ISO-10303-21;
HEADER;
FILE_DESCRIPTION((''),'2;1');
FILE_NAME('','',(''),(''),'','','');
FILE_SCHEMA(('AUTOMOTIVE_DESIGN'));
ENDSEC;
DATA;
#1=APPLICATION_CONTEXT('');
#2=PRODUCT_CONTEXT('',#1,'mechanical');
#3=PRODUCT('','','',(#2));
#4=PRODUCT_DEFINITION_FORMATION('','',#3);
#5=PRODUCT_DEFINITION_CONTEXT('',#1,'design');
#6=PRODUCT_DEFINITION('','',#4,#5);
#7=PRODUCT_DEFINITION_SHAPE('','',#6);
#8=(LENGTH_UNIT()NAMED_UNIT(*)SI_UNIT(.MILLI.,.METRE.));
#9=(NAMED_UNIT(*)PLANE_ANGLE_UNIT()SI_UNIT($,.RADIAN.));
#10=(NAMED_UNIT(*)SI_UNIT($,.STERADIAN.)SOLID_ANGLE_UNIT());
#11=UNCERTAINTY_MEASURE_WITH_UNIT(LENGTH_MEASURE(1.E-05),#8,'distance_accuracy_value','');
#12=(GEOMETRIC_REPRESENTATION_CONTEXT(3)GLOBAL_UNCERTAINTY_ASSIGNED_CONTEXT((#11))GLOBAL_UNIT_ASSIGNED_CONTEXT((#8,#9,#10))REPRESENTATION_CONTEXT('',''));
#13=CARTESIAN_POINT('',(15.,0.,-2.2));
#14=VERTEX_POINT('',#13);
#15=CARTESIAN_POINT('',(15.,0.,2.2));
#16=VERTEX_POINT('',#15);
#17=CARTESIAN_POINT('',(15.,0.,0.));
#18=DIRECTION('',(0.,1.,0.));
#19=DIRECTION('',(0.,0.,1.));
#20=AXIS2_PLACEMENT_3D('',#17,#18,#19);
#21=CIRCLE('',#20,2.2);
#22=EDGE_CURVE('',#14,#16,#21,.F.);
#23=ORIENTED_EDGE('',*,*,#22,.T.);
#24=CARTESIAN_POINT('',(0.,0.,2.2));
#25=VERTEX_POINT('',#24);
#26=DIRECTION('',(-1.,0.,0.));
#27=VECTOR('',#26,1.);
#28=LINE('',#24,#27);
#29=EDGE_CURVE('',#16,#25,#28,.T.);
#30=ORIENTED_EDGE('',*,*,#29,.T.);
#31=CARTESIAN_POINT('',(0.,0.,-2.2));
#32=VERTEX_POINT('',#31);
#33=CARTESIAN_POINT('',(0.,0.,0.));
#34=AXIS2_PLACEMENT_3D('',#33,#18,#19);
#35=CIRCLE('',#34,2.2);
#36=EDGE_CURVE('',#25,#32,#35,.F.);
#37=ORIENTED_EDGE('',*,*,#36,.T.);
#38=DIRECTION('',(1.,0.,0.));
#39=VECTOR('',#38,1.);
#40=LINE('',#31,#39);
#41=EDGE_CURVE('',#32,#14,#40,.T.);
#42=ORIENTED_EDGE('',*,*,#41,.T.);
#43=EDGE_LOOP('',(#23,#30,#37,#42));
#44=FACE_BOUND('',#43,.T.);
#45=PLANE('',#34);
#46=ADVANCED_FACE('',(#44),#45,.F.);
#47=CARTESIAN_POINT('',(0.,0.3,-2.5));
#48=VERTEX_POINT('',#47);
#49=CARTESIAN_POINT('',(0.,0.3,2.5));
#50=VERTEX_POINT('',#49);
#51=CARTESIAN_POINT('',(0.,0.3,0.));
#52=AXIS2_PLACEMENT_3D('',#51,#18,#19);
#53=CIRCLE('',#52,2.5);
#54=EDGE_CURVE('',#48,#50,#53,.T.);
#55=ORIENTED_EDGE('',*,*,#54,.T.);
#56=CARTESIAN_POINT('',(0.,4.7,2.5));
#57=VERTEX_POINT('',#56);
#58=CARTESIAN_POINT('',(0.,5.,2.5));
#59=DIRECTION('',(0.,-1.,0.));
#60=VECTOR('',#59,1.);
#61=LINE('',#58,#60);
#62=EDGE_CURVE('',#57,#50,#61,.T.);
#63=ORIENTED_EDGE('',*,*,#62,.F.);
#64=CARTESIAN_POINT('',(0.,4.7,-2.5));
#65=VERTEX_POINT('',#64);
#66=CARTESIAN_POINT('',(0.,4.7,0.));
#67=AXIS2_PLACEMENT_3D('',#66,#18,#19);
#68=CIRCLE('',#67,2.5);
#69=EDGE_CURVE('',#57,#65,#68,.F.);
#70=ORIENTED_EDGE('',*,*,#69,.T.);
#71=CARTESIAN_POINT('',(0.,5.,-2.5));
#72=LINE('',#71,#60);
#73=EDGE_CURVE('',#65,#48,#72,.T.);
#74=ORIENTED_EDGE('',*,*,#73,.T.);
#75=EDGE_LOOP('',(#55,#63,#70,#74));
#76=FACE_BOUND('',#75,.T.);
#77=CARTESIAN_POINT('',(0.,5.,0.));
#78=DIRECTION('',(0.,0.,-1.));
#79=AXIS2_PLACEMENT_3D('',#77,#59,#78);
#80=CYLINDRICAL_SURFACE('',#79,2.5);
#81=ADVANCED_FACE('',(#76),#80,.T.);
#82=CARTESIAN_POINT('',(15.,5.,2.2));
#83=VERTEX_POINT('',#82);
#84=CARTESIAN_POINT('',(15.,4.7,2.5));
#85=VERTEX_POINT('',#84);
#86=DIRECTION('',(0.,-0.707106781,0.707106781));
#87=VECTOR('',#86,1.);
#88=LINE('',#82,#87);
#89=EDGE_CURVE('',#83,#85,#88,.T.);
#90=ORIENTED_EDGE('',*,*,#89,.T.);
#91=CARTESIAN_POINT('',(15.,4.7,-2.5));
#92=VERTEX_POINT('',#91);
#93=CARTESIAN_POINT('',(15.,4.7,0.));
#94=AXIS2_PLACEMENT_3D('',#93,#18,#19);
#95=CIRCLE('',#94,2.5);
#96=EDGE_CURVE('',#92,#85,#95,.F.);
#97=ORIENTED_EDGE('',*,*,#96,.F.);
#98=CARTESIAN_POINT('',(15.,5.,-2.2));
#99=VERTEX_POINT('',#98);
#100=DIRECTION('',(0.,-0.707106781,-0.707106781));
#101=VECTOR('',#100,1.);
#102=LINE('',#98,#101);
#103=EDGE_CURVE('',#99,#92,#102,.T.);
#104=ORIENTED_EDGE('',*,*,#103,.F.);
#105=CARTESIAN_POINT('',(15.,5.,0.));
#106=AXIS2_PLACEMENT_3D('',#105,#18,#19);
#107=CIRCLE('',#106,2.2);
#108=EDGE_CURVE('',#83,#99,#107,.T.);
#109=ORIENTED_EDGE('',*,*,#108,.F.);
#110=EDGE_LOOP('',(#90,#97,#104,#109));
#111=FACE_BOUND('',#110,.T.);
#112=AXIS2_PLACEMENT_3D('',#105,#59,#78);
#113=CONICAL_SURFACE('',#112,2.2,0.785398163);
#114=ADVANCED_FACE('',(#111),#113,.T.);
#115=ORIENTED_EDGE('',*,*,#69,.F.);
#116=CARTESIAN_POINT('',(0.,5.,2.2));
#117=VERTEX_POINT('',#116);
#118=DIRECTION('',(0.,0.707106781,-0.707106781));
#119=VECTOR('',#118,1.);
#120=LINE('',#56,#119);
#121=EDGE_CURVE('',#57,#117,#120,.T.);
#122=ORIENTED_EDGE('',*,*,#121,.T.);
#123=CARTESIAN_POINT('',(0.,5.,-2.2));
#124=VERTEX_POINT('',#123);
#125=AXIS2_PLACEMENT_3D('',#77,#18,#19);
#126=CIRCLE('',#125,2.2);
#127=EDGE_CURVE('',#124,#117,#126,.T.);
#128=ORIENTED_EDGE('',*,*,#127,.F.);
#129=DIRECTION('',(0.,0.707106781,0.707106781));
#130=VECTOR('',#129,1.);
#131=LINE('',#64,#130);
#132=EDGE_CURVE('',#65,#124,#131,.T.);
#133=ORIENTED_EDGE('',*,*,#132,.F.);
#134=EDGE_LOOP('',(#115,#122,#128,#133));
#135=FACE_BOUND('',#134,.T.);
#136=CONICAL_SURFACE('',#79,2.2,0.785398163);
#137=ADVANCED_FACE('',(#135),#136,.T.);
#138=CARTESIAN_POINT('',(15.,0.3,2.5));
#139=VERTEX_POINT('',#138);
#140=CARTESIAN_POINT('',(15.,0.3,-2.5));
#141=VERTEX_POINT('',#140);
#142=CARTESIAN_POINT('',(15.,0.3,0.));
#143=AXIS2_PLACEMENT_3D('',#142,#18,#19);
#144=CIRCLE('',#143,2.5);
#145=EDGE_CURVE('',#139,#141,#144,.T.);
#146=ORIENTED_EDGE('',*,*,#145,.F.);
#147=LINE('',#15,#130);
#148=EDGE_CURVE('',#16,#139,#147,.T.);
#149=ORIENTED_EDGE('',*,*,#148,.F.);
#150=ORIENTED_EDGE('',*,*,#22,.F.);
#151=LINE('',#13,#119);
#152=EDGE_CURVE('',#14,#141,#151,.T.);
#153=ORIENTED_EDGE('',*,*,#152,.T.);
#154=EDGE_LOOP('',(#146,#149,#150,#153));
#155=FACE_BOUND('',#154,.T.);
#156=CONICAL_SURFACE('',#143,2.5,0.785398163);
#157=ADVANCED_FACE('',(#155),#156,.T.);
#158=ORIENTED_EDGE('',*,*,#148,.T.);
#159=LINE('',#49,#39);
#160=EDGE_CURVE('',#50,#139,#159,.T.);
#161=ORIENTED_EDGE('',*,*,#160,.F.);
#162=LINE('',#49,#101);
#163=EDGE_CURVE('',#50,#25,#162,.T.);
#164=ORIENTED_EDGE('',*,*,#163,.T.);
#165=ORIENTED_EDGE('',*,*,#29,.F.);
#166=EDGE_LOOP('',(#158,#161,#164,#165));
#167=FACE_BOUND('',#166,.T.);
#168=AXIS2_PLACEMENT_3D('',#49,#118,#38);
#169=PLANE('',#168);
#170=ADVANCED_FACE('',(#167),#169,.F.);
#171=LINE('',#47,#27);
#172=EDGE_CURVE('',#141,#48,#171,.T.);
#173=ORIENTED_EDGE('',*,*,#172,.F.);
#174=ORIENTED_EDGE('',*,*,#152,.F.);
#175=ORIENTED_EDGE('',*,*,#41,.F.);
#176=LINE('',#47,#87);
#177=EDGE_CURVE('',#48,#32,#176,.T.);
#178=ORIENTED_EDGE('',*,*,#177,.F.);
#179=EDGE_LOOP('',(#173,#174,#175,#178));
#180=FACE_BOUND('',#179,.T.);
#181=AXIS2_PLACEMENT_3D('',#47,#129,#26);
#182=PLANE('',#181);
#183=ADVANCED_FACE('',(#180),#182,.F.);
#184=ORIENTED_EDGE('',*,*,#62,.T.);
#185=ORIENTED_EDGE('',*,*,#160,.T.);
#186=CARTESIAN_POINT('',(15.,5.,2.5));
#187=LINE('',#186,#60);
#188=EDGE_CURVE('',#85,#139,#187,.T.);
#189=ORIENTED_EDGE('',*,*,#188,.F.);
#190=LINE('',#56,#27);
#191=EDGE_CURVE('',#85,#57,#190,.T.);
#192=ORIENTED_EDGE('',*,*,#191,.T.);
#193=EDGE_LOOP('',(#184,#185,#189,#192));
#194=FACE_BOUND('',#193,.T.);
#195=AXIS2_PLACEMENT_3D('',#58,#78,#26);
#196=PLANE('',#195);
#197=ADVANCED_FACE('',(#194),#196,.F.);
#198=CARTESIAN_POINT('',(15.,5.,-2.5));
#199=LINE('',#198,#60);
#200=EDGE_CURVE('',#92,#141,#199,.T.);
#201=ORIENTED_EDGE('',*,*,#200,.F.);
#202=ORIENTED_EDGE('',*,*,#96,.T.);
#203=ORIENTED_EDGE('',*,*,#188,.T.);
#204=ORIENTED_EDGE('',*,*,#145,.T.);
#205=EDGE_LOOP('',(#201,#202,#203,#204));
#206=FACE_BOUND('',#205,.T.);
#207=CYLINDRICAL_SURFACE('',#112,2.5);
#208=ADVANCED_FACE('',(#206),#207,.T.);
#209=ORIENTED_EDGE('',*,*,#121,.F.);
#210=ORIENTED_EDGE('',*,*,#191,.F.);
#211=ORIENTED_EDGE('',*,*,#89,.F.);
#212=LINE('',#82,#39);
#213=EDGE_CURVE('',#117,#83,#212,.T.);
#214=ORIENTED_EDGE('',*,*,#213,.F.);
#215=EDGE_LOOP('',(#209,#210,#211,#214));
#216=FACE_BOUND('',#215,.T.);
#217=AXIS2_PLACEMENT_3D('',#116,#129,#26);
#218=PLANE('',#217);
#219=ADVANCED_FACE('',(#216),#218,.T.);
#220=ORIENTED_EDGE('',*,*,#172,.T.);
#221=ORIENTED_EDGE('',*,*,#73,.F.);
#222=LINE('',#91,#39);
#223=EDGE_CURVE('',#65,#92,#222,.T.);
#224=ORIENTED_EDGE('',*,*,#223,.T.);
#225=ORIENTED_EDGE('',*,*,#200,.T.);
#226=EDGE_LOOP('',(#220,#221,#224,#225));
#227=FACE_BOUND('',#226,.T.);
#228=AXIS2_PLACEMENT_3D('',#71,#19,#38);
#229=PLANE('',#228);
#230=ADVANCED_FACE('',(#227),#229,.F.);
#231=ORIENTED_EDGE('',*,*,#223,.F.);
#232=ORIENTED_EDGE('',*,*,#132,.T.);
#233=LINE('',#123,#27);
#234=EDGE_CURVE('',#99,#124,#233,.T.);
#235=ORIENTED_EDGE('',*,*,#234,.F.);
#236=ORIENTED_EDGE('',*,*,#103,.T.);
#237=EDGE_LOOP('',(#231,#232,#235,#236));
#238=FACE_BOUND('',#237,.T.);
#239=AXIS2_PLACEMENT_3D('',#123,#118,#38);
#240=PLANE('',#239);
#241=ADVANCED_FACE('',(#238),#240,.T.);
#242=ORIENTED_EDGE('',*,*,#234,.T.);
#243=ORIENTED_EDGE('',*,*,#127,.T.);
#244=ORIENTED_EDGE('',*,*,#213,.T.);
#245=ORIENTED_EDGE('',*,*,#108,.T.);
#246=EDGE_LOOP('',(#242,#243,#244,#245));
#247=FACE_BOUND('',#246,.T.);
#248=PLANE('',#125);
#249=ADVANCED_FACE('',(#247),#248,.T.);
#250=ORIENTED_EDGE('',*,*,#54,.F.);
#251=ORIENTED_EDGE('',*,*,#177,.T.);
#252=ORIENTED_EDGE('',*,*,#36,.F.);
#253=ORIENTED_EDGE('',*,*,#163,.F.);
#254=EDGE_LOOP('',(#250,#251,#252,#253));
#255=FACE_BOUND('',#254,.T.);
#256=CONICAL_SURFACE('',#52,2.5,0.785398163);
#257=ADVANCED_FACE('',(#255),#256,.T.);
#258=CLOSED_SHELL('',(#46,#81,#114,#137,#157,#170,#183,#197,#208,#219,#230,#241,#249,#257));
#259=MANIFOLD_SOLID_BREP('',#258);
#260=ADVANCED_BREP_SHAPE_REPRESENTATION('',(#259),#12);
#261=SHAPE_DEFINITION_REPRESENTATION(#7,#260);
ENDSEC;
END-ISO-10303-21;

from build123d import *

# Parameters (mm, degrees)
BOSS_EXTRUDE1_DEPTH = 5
CHAMFER1_SIZE       = 0.3


with BuildPart() as part:
    # Sketch1 → Boss-Extrude1 (new body)
    with BuildSketch(Plane(origin=(0, 0, 0), x_dir=(1, 0, 0), z_dir=(0, 1, 0))):
        with BuildLine():
            Line((0, 2.5), (15, 2.5))
            ThreePointArc((15, 2.5), (17.5, 0), (15, -2.5))
            Line((15, -2.5), (0, -2.5))
            ThreePointArc((0, -2.5), (-2.5, 0), (0, 2.5))
        make_face()
    extrude(amount=BOSS_EXTRUDE1_DEPTH)

    # Chamfer1
    chamfer1_edges = [part.edges().sort_by_distance(p)[0] for p in [
        (17.5, 5, 0),
        (7.5, 5, -2.5),
        (-2.5, 5, 0),
        (7.5, 0, -2.5),
        (17.5, 0, 0),
        (7.5, 0, 2.5),
        (-2.5, 0, 0),
        (7.5, 5, 2.5),
    ]]
    chamfer(chamfer1_edges, length=CHAMFER1_SIZE)


solid = part.part
